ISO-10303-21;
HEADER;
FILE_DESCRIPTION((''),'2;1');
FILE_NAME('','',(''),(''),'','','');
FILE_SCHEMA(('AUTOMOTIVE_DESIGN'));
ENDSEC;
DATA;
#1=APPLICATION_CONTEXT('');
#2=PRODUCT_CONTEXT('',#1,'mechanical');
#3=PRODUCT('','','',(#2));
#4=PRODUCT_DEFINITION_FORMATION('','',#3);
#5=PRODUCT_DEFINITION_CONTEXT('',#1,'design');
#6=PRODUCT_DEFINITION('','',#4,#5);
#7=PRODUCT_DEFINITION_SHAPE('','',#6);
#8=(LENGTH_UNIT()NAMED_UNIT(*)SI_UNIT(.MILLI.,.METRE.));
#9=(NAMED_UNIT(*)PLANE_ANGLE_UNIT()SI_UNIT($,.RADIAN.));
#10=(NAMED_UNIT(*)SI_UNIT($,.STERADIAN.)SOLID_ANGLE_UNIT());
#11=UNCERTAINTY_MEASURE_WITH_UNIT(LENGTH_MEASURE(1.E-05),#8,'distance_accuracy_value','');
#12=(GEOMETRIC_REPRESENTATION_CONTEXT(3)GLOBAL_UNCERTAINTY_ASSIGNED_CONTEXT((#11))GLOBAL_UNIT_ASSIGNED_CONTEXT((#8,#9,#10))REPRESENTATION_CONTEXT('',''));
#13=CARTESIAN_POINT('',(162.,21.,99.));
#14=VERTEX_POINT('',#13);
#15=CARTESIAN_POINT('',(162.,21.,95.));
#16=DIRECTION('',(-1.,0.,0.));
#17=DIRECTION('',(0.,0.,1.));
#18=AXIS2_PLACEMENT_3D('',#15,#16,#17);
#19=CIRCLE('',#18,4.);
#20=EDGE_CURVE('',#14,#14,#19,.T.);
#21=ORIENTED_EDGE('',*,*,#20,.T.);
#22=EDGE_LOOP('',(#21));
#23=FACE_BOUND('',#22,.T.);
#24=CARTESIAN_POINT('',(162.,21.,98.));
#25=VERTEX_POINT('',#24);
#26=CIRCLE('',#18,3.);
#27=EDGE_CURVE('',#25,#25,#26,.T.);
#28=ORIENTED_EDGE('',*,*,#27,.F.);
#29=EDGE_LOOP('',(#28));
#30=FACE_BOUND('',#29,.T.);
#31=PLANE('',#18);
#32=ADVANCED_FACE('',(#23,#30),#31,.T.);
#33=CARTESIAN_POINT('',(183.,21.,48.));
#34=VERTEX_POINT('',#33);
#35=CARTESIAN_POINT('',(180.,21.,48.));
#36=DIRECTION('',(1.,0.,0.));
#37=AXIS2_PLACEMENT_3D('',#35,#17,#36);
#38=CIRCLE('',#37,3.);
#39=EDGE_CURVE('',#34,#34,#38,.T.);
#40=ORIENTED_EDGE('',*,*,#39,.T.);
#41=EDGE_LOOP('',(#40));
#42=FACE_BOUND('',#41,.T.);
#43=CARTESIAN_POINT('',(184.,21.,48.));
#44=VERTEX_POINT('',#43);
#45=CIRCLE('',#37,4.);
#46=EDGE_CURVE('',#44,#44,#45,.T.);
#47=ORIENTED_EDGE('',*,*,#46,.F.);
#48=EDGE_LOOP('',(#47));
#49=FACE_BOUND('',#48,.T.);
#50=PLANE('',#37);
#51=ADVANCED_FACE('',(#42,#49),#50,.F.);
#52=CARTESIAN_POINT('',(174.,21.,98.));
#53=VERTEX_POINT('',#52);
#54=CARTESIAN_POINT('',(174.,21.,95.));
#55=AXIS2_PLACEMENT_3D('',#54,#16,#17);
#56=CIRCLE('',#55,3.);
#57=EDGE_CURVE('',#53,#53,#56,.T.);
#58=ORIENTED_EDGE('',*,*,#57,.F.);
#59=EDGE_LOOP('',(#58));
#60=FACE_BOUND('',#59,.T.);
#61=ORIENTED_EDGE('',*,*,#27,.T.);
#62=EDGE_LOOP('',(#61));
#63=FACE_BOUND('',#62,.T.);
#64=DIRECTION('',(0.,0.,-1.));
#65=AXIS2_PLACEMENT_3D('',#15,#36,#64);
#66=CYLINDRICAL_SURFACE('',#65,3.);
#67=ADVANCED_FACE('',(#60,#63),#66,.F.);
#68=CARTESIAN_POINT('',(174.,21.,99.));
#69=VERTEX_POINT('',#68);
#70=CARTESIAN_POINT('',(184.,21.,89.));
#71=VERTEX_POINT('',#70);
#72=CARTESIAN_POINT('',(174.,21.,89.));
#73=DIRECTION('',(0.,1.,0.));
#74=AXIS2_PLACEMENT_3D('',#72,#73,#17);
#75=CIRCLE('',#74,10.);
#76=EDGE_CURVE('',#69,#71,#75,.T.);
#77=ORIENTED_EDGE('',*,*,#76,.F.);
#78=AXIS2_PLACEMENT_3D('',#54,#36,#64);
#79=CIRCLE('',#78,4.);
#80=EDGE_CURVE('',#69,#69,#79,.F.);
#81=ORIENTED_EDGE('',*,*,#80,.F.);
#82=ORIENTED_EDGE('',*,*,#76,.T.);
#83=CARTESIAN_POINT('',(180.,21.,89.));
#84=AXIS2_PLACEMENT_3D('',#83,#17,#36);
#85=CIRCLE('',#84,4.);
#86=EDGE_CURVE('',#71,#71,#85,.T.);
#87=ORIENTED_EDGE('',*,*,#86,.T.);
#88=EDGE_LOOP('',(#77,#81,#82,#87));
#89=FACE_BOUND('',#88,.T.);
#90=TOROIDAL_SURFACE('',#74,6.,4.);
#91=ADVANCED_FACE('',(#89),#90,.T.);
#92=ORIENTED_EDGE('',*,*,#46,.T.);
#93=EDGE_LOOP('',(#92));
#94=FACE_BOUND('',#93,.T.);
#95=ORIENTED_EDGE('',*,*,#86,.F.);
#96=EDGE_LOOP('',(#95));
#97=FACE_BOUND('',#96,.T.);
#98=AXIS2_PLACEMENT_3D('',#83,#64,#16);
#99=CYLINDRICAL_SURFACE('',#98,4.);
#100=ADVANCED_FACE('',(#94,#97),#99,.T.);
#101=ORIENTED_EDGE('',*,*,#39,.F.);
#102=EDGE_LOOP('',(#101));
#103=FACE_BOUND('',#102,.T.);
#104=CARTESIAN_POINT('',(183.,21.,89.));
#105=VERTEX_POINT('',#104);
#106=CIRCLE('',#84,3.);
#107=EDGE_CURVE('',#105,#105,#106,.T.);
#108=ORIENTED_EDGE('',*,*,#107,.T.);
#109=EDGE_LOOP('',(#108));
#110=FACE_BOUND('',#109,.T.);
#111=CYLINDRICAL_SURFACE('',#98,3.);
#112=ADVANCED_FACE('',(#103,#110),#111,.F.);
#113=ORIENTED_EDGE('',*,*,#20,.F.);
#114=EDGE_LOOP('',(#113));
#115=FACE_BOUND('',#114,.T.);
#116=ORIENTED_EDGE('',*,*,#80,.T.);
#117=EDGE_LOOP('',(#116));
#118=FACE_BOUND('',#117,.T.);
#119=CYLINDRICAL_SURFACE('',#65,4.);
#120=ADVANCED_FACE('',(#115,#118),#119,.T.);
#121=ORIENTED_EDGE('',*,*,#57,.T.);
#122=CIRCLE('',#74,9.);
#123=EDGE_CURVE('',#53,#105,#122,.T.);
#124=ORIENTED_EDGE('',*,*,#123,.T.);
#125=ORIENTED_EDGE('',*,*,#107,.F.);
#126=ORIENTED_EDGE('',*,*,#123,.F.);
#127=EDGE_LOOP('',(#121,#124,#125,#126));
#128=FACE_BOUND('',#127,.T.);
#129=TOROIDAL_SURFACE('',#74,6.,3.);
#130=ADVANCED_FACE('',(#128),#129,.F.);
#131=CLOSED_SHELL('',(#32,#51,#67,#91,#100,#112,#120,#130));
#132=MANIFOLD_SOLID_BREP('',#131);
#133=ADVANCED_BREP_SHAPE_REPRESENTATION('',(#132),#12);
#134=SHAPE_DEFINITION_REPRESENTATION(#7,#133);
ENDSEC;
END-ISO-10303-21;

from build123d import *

# Parameters (mm, degrees)
TUBE_PROFILE_R   = 4
TUBE_PROFILE_R_2 = 3


with BuildPart() as part:
    # Tube: sweep along a curve in space
    with BuildLine() as tube_path:
        Line((162, 21, 95), (174, 21, 95))
        ThreePointArc((180, 21, 89), (178.242640687, 21, 93.242640687), (174, 21, 95))
        Line((180, 21, 89), (180, 21, 48))
    # Tube profile (on start of the path) → Tube (sweep)
    with BuildSketch(Plane(origin=(162, 21, 95), x_dir=(0, 0, 1), z_dir=(1, 0, 0))):
        Circle(TUBE_PROFILE_R)
        Circle(TUBE_PROFILE_R_2, mode=Mode.SUBTRACT)
    sweep(path=tube_path.line)


solid = part.part
